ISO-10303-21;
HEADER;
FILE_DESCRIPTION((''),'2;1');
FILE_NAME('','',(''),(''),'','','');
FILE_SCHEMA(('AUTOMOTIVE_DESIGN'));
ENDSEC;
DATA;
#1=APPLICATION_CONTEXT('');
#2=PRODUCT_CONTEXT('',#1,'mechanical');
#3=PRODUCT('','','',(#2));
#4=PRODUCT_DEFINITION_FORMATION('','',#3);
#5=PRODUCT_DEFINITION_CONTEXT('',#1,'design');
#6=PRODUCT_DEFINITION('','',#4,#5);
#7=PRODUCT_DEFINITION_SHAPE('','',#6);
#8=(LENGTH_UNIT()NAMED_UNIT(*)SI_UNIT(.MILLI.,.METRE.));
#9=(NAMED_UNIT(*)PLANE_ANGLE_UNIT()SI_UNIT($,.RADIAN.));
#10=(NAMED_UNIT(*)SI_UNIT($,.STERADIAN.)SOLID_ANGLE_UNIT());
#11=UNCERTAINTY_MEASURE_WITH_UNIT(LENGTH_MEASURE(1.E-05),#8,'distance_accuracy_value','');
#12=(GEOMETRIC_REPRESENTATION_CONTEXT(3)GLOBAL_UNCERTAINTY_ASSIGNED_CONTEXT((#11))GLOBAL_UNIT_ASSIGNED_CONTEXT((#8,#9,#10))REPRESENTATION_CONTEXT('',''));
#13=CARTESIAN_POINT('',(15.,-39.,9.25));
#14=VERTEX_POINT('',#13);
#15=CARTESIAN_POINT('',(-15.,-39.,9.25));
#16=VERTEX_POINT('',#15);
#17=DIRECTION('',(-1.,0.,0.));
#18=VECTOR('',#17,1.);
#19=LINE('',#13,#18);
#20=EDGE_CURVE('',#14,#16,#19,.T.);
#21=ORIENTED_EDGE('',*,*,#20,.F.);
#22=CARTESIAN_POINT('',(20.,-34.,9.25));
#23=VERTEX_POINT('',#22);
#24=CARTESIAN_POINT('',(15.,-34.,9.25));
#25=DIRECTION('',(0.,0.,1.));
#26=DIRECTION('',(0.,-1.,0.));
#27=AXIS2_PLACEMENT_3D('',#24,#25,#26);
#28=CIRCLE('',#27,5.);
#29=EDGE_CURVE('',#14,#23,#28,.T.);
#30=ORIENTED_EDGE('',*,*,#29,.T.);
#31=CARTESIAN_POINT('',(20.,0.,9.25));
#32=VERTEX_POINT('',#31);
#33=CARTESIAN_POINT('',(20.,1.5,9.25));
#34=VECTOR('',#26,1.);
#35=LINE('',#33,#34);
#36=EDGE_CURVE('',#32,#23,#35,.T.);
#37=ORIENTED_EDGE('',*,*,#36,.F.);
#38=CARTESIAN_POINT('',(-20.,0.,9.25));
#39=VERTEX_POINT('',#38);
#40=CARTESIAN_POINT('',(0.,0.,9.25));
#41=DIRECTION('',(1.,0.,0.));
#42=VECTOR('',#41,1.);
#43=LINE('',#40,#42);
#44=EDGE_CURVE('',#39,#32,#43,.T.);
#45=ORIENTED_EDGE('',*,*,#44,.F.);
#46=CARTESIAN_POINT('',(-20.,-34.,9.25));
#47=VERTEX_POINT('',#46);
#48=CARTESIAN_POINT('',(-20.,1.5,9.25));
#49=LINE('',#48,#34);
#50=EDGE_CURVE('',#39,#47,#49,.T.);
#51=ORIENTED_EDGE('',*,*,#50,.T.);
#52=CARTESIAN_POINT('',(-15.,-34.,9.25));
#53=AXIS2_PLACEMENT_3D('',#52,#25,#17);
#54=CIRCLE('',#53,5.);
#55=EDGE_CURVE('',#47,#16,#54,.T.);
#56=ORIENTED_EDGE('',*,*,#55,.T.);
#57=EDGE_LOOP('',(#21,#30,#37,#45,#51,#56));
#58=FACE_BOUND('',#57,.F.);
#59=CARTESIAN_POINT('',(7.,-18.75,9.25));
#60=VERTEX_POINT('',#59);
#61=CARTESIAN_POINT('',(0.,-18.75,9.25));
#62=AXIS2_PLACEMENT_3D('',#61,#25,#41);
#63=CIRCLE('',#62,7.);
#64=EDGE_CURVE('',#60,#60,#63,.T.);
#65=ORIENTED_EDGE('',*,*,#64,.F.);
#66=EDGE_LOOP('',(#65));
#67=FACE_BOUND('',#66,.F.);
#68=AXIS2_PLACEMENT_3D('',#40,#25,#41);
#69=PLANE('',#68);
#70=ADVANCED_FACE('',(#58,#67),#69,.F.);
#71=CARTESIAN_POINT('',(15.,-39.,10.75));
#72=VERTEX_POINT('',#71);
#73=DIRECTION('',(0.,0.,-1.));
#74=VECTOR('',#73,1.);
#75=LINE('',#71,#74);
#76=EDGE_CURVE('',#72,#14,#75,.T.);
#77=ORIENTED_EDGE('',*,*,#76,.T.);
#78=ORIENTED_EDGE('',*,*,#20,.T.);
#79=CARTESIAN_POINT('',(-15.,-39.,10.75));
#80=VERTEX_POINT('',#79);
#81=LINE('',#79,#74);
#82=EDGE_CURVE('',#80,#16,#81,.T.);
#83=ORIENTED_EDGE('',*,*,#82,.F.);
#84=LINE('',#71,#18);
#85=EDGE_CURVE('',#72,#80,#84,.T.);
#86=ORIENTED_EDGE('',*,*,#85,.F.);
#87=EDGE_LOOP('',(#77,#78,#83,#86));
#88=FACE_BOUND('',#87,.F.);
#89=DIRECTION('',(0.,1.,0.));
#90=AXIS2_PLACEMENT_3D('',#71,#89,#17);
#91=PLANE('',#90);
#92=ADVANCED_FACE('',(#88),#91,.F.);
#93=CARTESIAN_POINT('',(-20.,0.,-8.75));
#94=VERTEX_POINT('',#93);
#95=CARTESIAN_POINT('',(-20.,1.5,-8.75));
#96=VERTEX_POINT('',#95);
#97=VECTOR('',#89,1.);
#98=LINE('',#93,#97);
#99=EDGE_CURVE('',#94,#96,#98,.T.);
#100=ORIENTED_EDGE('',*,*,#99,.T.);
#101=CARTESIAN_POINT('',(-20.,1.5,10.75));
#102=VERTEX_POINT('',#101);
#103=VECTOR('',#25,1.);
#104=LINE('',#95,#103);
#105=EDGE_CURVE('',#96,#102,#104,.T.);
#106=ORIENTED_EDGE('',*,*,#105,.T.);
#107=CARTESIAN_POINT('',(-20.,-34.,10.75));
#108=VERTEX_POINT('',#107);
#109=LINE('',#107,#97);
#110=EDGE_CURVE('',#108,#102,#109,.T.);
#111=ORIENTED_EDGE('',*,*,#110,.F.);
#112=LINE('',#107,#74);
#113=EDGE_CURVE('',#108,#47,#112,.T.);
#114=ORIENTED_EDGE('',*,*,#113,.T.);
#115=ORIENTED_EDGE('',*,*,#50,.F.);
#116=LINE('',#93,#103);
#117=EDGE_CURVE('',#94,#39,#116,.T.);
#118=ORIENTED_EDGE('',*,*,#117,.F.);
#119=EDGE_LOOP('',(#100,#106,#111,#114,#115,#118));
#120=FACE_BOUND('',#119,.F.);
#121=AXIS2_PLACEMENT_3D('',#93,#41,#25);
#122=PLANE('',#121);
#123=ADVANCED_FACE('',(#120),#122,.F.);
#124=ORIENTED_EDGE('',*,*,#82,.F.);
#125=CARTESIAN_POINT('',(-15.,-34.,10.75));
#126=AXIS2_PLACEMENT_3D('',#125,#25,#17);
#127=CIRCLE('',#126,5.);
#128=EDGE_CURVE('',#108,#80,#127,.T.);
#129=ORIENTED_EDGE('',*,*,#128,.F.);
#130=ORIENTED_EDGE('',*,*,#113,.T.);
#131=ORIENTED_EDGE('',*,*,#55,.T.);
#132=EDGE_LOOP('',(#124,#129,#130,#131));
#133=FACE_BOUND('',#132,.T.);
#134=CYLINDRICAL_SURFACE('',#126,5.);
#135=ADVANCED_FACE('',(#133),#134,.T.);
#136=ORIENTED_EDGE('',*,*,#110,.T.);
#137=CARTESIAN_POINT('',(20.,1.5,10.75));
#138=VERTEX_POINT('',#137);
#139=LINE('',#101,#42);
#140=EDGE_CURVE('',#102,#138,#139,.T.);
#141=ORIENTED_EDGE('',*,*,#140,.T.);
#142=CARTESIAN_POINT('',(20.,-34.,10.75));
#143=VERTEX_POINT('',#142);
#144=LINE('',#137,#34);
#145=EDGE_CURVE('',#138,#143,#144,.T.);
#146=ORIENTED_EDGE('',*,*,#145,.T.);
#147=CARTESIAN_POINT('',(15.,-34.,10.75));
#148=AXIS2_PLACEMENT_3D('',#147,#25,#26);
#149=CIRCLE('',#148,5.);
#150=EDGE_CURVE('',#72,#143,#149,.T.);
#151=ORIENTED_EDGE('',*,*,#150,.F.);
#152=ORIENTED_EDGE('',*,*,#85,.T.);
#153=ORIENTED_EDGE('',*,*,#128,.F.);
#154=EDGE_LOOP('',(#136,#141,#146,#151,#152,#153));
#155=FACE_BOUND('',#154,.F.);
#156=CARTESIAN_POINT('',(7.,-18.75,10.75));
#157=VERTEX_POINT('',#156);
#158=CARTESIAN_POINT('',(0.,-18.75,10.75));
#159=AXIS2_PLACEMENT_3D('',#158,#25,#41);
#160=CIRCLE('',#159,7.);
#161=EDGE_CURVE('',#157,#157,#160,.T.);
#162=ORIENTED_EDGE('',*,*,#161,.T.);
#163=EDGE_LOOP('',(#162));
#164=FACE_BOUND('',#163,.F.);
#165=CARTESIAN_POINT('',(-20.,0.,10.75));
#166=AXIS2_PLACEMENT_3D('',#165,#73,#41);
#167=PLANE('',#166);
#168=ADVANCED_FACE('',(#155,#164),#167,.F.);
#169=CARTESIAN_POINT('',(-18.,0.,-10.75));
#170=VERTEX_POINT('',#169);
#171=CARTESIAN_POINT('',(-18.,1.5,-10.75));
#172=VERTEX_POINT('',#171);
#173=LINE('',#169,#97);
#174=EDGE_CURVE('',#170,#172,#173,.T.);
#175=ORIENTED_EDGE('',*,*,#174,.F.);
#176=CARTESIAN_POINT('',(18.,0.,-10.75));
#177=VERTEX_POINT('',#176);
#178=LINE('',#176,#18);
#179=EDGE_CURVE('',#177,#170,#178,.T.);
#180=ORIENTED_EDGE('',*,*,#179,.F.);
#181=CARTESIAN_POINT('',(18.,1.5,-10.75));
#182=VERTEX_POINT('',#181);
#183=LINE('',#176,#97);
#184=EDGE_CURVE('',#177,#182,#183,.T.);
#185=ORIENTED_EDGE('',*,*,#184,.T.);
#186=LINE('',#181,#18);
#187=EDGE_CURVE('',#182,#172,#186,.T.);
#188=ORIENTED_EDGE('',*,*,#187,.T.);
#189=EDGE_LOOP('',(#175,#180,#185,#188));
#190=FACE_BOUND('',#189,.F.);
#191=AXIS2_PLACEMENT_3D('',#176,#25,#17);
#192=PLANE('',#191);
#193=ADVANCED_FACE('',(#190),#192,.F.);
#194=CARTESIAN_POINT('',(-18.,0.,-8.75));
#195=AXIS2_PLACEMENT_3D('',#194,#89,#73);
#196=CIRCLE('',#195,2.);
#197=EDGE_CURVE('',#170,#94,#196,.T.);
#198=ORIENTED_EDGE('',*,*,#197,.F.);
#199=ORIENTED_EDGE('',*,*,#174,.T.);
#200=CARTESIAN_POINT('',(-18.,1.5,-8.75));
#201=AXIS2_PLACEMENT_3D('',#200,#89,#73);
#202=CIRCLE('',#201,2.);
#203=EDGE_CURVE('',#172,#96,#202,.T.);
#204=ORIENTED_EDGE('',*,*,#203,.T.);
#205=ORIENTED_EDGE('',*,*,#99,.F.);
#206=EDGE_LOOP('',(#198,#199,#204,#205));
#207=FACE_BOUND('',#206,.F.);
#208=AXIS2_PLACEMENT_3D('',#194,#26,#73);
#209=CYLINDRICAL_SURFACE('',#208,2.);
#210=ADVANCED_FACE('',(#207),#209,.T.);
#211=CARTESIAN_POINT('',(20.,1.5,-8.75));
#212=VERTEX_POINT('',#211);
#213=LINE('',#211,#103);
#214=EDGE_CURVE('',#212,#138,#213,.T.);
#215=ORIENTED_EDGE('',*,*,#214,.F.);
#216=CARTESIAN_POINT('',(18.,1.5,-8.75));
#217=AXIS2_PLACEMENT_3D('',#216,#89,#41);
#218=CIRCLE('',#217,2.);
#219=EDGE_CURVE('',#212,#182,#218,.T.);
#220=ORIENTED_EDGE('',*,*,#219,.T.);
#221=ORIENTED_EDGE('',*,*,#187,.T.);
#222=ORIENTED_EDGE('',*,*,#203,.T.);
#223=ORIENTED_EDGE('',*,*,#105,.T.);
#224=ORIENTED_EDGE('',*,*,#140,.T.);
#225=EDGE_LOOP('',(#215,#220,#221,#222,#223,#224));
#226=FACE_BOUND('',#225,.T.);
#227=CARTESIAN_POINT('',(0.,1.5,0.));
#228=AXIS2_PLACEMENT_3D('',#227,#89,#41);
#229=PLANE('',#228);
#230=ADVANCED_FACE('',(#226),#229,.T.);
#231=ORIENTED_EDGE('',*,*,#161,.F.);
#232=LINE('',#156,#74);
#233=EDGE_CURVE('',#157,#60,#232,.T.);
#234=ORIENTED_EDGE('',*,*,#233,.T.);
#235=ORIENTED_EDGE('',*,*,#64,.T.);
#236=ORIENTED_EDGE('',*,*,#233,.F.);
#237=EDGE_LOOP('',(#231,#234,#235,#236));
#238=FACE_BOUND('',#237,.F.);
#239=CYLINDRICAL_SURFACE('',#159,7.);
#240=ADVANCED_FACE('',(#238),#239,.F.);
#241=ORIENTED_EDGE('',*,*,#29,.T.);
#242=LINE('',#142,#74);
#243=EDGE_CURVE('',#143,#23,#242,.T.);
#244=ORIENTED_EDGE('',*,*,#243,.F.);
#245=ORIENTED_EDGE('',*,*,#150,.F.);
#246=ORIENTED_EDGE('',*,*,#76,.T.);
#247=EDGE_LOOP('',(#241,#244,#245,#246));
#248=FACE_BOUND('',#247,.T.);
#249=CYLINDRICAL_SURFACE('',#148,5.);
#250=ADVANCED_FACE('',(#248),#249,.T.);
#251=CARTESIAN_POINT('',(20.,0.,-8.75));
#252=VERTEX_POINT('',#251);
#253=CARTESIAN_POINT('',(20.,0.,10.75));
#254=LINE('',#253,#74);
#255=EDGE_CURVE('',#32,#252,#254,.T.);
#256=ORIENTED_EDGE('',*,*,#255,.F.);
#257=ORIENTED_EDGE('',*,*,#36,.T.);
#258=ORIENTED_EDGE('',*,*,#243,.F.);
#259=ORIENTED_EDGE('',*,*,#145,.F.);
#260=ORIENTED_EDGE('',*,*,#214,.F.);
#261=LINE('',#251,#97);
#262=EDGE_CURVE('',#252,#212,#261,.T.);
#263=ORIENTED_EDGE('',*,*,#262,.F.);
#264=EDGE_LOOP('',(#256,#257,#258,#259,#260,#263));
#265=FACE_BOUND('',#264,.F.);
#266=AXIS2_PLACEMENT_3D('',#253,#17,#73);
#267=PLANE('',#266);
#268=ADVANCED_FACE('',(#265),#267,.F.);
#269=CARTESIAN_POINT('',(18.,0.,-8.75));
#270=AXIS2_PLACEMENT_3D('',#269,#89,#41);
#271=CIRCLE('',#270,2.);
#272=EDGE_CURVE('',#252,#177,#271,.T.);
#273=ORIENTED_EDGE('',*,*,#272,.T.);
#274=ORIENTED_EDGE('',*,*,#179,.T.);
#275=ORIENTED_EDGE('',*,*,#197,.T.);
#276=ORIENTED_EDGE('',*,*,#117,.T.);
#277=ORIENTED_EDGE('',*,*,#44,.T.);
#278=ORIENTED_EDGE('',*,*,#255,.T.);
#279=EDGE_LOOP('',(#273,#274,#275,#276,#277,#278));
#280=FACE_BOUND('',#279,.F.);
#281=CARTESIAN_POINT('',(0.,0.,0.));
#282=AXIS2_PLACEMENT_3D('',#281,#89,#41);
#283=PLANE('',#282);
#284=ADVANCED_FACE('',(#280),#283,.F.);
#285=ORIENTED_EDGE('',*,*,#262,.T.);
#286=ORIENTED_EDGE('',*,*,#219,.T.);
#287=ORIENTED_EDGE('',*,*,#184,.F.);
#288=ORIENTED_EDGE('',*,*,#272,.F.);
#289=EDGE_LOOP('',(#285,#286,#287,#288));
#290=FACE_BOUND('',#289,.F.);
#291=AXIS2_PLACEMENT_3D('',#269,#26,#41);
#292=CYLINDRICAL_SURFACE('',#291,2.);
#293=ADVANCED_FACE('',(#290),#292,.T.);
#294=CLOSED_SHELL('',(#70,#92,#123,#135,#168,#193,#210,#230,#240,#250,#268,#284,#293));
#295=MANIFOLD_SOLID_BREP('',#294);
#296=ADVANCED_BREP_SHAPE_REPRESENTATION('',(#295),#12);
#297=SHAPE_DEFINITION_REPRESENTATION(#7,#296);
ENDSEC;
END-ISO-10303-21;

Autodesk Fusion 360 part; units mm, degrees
sketch "Sketch1" plane through (0, 0, 0) normal (0, 1, 0) x (1, 0, 0)
  line L0 (18, 10.75) -> (-18, 10.75)
  line L1 (-20, 8.75) -> (-20, -10.75)
  line L2 (-20, -10.75) -> (20, -10.75)
  line L3 (20, -10.75) -> (20, 8.75)
  line L4 (20, 10.75) -> (-20, -10.75) construction
  line L5 (-20, 10.75) -> (20, -10.75) construction
  arc A0 (-18, 10.75) -> (-20, 8.75) centre (-18, 8.75) ccw
  arc A1 (20, 8.75) -> (18, 10.75) centre (18, 8.75) ccw
  dimension "d1" = 40
  dimension "d2" = 21.5
  dimension "d3" = 2
extrude "Extrude1" add sketch "Sketch1" along normal blind 1.5
sketch "Sketch2" plane through (0, 0, 10.75) normal (0, 0, 1) x (1, 0, 0)
  line L0 (-20, 0) -> (20, 0)
  line L1 (20, 0) -> (20, 1.5)
  line L2 (20, 1.5) -> (-20, 1.5)
  line L3 (-20, 1.5) -> (-20, 0)
  line L4 (-20, 1.5) -> (20, 1.5)
  line L5 (20, 1.5) -> (20, -34)
  line L6 (15, -39) -> (-15, -39)
  line L7 (-20, -34) -> (-20, 1.5)
  circle A0 centre (0, -18.75) radius 7
  arc A1 (-20, -34) -> (-15, -39) centre (-15, -34) ccw
  arc A2 (15, -39) -> (20, -34) centre (15, -34) ccw
  point P0 (-20, -39)
  dimension "d7" = 40.5
  dimension "d8" = 14
  dimension "d11" = 5
extrude "Extrude2" add sketch "Sketch2" against normal blind 1.5
